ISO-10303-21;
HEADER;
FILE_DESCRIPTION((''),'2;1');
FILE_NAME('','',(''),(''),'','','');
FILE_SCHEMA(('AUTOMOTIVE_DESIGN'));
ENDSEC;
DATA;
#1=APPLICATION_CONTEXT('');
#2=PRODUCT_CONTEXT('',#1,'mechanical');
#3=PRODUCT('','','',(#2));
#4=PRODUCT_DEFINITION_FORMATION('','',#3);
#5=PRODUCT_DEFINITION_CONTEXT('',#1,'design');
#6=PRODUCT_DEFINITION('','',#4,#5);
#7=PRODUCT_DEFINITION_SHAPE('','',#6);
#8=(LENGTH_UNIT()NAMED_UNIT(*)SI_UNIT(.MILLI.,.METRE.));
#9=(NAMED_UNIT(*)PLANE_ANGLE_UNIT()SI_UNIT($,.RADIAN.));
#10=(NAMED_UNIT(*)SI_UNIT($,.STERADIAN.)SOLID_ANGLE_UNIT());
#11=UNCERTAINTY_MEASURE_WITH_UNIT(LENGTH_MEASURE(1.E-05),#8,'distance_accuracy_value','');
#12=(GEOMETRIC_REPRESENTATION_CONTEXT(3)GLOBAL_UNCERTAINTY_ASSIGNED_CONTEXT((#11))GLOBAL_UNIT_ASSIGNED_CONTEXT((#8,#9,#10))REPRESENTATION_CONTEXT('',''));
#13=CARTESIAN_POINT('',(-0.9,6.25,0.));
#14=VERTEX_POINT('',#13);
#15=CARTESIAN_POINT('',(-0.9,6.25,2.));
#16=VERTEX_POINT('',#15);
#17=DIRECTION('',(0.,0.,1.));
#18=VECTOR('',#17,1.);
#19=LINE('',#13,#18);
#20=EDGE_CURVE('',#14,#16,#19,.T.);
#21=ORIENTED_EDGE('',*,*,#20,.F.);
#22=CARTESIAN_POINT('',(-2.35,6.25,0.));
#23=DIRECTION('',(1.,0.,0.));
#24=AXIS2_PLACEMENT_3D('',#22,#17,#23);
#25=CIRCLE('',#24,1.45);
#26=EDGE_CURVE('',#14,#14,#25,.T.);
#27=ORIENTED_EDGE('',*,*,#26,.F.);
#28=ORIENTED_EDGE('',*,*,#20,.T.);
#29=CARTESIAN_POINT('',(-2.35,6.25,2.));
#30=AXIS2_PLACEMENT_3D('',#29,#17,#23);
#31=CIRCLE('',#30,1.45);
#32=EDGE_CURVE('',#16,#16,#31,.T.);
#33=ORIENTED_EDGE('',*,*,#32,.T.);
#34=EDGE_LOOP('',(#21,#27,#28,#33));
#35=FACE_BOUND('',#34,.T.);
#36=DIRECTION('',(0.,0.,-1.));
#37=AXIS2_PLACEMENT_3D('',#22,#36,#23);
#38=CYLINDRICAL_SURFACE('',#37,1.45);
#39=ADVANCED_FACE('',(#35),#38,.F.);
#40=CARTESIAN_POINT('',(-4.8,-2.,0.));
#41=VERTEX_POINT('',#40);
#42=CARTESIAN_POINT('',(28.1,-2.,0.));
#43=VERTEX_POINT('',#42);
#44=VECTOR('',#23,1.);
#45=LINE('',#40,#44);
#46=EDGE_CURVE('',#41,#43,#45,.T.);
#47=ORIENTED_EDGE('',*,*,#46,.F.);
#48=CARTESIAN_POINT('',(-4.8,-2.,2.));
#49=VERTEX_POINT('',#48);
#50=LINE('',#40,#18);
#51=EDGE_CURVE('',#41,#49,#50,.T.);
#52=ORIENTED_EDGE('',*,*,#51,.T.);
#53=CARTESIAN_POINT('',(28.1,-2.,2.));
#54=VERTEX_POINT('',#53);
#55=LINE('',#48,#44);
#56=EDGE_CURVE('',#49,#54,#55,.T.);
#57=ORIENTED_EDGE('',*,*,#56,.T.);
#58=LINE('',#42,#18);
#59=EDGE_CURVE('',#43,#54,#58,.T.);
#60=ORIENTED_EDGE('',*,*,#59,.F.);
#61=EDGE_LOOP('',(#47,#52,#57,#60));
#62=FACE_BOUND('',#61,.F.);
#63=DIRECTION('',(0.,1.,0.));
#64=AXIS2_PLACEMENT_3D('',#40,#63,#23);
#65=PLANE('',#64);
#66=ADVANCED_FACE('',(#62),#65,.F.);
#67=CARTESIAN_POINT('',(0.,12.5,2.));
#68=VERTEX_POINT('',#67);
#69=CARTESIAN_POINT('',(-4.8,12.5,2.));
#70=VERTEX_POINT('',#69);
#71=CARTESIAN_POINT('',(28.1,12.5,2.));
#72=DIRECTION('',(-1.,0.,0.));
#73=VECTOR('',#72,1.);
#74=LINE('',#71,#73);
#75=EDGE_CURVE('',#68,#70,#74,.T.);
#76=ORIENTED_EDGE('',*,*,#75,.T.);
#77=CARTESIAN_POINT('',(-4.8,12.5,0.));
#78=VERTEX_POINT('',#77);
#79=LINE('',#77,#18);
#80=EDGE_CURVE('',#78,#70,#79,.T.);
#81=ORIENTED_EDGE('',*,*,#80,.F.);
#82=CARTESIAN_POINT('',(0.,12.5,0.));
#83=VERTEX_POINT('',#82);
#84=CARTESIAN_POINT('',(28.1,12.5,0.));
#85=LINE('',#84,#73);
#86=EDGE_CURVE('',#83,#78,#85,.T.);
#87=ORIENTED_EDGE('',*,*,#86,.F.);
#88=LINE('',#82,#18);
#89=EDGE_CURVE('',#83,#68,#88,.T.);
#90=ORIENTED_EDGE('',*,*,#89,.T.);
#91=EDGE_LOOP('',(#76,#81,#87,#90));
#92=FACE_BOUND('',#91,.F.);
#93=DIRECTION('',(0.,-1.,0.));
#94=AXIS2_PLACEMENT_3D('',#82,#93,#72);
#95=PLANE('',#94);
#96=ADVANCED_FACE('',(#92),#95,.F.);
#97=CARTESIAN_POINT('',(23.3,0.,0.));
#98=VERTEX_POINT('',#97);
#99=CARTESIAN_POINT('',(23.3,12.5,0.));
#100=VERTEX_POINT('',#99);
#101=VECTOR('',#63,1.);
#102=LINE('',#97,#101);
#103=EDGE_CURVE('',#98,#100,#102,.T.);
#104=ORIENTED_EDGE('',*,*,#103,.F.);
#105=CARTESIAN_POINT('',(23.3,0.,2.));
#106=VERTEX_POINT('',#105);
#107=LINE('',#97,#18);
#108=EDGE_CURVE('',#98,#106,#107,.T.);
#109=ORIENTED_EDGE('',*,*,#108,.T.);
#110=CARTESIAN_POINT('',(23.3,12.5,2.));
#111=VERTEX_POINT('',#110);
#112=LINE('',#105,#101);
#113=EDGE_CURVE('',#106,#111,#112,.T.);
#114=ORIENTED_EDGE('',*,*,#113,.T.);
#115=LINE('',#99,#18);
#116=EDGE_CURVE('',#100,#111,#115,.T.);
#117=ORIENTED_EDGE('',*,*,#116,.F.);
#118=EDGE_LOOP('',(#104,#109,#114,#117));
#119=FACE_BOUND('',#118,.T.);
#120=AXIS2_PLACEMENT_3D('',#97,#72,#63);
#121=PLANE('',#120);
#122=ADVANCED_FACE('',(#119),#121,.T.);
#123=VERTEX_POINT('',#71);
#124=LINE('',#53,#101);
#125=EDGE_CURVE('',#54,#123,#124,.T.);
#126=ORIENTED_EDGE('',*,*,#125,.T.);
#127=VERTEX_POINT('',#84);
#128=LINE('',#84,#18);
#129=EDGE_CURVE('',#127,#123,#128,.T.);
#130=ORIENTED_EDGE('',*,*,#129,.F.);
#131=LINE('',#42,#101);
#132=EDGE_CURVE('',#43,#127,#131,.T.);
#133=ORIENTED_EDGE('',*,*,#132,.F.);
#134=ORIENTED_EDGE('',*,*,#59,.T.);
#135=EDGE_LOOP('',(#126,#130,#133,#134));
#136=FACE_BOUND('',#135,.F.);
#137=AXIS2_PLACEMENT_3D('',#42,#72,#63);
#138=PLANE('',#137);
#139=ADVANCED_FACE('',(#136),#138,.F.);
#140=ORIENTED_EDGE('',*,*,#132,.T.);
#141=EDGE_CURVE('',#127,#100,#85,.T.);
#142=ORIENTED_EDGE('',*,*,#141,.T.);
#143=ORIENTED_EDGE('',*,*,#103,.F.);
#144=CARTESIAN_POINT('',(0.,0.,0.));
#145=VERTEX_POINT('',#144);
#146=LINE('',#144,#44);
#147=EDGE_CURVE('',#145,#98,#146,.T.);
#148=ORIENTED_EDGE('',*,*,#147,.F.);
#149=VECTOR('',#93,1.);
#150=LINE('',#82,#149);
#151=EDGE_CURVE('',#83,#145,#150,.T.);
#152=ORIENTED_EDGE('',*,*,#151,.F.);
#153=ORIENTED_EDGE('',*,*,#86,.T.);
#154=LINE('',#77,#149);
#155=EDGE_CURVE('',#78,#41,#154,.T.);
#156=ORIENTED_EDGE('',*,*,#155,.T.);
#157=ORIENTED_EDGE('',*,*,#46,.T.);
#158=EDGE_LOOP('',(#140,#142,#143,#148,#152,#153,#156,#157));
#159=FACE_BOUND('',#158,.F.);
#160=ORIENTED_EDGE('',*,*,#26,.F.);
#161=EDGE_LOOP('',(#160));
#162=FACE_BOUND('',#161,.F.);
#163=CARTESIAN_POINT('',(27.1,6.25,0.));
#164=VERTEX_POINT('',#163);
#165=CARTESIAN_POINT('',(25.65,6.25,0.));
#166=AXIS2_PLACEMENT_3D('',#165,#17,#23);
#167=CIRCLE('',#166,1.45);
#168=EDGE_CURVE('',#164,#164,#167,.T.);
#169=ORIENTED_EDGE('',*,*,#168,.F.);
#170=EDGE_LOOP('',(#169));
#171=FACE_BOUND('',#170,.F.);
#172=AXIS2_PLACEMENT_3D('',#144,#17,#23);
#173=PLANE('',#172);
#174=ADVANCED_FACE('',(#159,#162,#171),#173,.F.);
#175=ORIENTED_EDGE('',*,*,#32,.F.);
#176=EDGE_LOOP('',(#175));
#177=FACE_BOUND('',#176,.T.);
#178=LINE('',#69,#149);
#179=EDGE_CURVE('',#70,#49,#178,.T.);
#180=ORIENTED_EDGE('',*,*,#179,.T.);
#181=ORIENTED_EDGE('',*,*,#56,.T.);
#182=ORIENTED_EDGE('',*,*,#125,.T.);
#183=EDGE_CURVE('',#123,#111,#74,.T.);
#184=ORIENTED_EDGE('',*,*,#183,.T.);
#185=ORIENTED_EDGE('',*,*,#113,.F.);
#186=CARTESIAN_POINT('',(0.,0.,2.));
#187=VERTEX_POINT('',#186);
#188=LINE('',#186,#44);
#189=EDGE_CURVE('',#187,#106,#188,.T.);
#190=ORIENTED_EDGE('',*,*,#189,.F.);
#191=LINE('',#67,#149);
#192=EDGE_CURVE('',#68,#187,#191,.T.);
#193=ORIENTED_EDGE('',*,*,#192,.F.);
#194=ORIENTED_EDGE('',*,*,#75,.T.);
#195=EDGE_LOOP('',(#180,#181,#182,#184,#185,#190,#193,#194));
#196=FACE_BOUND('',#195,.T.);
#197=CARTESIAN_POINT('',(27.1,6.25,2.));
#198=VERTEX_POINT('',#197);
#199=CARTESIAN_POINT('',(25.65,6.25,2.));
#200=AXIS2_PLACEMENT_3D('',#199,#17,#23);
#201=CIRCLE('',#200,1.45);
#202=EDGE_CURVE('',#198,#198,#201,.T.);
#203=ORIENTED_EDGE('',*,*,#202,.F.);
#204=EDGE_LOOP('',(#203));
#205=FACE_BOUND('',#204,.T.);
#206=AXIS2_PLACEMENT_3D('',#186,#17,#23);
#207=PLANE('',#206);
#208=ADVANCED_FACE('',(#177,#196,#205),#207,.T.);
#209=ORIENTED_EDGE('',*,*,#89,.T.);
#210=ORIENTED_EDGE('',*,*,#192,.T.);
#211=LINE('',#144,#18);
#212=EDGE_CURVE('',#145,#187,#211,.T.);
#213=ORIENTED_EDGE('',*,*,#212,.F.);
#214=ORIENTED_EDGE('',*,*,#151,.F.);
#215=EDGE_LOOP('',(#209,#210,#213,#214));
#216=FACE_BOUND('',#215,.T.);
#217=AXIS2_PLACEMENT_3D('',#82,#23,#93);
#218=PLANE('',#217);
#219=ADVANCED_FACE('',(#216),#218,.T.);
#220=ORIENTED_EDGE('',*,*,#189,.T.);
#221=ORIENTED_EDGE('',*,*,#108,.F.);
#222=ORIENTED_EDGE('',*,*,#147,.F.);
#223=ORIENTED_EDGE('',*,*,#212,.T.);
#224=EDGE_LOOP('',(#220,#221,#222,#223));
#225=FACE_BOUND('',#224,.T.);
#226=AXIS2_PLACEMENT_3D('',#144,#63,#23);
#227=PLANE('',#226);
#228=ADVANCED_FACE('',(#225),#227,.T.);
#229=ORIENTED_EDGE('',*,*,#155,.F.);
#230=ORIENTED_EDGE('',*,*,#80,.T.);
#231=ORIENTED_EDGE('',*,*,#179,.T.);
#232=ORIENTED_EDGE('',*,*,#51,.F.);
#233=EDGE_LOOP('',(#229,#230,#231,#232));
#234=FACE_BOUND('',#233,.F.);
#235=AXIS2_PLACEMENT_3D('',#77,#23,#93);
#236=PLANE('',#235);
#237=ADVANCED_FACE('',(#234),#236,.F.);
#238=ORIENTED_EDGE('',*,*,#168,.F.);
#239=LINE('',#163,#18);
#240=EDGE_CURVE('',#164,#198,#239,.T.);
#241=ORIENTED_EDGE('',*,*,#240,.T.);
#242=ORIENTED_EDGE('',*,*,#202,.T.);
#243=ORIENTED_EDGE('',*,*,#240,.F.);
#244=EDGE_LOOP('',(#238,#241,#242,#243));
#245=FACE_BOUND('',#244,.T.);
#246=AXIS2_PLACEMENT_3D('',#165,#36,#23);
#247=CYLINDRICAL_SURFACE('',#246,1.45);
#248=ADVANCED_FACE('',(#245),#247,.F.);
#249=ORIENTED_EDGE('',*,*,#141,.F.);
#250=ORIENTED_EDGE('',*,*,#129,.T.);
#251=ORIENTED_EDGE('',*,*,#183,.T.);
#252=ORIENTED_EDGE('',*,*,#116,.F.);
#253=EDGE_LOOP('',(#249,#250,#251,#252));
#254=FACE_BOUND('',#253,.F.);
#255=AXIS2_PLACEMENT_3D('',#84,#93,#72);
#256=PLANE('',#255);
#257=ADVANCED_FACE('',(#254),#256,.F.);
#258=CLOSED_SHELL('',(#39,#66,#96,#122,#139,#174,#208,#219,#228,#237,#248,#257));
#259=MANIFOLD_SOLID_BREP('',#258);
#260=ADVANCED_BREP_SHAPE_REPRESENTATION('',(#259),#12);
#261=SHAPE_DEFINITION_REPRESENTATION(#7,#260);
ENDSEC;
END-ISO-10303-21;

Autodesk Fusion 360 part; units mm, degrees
sketch "Sketch1" plane through (0, 0, 0) normal (0, 0, 1) x (1, 0, 0)
  line L0 (0, 0) -> (23.3, 0)
  line L1 (23.3, 0) -> (23.3, 12.5)
  line L2 (23.3, 12.5) -> (0, 12.5)
  line L3 (0, 12.5) -> (0, 0)
  line L4 (0, 6.25) -> (-2.35, 6.25) construction
  line L5 (23.3, 6.25) -> (25.65, 6.25) construction
  circle A0 centre (-2.35, 6.25) radius 1.45
  circle A1 centre (25.65, 6.25) radius 1.45
  line L6 (-4.8, -2) -> (28.1, -2)
  line L7 (28.1, -2) -> (28.1, 12.5)
  line L8 (28.1, 12.5) -> (-4.8, 12.5)
  line L9 (-4.8, 12.5) -> (-4.8, -2)
  dimension "d1" = 23.3
  dimension "d2" = 12.5
  dimension "d3" = 2.35
  dimension "d4" = 2.35
  dimension "d5" = 2.9
  dimension "d6" = 2.9
  dimension "d7" = 2
  dimension "d8" = 2.45
  dimension "d9" = 2.45
extrude "Extrude1" add sketch "Sketch1" along normal blind 2 contours L0 L1 L3 L6 L7 L8 L9
sketch "Sketch2" plane through (0, 0, 2) normal (0, 0, 1) x (-1, 0, 0)
  circle A0 centre (2.35, -6.25) radius 1.45
  circle A1 centre (-25.65, -6.25) radius 1.45
  line L0 (0, -12.5) -> (4.8, -12.5)
  line L1 (4.8, -12.5) -> (4.8, 2)
  line L2 (4.8, 2) -> (-28.1, 2)
  line L3 (-28.1, 2) -> (-28.1, -12.5)
  line L4 (-28.1, -12.5) -> (-23.3, -12.5)
  line L5 (-23.3, -12.5) -> (-23.3, 0)
  line L6 (-23.3, 0) -> (0, 0)
  line L7 (0, 0) -> (0, -12.5)
